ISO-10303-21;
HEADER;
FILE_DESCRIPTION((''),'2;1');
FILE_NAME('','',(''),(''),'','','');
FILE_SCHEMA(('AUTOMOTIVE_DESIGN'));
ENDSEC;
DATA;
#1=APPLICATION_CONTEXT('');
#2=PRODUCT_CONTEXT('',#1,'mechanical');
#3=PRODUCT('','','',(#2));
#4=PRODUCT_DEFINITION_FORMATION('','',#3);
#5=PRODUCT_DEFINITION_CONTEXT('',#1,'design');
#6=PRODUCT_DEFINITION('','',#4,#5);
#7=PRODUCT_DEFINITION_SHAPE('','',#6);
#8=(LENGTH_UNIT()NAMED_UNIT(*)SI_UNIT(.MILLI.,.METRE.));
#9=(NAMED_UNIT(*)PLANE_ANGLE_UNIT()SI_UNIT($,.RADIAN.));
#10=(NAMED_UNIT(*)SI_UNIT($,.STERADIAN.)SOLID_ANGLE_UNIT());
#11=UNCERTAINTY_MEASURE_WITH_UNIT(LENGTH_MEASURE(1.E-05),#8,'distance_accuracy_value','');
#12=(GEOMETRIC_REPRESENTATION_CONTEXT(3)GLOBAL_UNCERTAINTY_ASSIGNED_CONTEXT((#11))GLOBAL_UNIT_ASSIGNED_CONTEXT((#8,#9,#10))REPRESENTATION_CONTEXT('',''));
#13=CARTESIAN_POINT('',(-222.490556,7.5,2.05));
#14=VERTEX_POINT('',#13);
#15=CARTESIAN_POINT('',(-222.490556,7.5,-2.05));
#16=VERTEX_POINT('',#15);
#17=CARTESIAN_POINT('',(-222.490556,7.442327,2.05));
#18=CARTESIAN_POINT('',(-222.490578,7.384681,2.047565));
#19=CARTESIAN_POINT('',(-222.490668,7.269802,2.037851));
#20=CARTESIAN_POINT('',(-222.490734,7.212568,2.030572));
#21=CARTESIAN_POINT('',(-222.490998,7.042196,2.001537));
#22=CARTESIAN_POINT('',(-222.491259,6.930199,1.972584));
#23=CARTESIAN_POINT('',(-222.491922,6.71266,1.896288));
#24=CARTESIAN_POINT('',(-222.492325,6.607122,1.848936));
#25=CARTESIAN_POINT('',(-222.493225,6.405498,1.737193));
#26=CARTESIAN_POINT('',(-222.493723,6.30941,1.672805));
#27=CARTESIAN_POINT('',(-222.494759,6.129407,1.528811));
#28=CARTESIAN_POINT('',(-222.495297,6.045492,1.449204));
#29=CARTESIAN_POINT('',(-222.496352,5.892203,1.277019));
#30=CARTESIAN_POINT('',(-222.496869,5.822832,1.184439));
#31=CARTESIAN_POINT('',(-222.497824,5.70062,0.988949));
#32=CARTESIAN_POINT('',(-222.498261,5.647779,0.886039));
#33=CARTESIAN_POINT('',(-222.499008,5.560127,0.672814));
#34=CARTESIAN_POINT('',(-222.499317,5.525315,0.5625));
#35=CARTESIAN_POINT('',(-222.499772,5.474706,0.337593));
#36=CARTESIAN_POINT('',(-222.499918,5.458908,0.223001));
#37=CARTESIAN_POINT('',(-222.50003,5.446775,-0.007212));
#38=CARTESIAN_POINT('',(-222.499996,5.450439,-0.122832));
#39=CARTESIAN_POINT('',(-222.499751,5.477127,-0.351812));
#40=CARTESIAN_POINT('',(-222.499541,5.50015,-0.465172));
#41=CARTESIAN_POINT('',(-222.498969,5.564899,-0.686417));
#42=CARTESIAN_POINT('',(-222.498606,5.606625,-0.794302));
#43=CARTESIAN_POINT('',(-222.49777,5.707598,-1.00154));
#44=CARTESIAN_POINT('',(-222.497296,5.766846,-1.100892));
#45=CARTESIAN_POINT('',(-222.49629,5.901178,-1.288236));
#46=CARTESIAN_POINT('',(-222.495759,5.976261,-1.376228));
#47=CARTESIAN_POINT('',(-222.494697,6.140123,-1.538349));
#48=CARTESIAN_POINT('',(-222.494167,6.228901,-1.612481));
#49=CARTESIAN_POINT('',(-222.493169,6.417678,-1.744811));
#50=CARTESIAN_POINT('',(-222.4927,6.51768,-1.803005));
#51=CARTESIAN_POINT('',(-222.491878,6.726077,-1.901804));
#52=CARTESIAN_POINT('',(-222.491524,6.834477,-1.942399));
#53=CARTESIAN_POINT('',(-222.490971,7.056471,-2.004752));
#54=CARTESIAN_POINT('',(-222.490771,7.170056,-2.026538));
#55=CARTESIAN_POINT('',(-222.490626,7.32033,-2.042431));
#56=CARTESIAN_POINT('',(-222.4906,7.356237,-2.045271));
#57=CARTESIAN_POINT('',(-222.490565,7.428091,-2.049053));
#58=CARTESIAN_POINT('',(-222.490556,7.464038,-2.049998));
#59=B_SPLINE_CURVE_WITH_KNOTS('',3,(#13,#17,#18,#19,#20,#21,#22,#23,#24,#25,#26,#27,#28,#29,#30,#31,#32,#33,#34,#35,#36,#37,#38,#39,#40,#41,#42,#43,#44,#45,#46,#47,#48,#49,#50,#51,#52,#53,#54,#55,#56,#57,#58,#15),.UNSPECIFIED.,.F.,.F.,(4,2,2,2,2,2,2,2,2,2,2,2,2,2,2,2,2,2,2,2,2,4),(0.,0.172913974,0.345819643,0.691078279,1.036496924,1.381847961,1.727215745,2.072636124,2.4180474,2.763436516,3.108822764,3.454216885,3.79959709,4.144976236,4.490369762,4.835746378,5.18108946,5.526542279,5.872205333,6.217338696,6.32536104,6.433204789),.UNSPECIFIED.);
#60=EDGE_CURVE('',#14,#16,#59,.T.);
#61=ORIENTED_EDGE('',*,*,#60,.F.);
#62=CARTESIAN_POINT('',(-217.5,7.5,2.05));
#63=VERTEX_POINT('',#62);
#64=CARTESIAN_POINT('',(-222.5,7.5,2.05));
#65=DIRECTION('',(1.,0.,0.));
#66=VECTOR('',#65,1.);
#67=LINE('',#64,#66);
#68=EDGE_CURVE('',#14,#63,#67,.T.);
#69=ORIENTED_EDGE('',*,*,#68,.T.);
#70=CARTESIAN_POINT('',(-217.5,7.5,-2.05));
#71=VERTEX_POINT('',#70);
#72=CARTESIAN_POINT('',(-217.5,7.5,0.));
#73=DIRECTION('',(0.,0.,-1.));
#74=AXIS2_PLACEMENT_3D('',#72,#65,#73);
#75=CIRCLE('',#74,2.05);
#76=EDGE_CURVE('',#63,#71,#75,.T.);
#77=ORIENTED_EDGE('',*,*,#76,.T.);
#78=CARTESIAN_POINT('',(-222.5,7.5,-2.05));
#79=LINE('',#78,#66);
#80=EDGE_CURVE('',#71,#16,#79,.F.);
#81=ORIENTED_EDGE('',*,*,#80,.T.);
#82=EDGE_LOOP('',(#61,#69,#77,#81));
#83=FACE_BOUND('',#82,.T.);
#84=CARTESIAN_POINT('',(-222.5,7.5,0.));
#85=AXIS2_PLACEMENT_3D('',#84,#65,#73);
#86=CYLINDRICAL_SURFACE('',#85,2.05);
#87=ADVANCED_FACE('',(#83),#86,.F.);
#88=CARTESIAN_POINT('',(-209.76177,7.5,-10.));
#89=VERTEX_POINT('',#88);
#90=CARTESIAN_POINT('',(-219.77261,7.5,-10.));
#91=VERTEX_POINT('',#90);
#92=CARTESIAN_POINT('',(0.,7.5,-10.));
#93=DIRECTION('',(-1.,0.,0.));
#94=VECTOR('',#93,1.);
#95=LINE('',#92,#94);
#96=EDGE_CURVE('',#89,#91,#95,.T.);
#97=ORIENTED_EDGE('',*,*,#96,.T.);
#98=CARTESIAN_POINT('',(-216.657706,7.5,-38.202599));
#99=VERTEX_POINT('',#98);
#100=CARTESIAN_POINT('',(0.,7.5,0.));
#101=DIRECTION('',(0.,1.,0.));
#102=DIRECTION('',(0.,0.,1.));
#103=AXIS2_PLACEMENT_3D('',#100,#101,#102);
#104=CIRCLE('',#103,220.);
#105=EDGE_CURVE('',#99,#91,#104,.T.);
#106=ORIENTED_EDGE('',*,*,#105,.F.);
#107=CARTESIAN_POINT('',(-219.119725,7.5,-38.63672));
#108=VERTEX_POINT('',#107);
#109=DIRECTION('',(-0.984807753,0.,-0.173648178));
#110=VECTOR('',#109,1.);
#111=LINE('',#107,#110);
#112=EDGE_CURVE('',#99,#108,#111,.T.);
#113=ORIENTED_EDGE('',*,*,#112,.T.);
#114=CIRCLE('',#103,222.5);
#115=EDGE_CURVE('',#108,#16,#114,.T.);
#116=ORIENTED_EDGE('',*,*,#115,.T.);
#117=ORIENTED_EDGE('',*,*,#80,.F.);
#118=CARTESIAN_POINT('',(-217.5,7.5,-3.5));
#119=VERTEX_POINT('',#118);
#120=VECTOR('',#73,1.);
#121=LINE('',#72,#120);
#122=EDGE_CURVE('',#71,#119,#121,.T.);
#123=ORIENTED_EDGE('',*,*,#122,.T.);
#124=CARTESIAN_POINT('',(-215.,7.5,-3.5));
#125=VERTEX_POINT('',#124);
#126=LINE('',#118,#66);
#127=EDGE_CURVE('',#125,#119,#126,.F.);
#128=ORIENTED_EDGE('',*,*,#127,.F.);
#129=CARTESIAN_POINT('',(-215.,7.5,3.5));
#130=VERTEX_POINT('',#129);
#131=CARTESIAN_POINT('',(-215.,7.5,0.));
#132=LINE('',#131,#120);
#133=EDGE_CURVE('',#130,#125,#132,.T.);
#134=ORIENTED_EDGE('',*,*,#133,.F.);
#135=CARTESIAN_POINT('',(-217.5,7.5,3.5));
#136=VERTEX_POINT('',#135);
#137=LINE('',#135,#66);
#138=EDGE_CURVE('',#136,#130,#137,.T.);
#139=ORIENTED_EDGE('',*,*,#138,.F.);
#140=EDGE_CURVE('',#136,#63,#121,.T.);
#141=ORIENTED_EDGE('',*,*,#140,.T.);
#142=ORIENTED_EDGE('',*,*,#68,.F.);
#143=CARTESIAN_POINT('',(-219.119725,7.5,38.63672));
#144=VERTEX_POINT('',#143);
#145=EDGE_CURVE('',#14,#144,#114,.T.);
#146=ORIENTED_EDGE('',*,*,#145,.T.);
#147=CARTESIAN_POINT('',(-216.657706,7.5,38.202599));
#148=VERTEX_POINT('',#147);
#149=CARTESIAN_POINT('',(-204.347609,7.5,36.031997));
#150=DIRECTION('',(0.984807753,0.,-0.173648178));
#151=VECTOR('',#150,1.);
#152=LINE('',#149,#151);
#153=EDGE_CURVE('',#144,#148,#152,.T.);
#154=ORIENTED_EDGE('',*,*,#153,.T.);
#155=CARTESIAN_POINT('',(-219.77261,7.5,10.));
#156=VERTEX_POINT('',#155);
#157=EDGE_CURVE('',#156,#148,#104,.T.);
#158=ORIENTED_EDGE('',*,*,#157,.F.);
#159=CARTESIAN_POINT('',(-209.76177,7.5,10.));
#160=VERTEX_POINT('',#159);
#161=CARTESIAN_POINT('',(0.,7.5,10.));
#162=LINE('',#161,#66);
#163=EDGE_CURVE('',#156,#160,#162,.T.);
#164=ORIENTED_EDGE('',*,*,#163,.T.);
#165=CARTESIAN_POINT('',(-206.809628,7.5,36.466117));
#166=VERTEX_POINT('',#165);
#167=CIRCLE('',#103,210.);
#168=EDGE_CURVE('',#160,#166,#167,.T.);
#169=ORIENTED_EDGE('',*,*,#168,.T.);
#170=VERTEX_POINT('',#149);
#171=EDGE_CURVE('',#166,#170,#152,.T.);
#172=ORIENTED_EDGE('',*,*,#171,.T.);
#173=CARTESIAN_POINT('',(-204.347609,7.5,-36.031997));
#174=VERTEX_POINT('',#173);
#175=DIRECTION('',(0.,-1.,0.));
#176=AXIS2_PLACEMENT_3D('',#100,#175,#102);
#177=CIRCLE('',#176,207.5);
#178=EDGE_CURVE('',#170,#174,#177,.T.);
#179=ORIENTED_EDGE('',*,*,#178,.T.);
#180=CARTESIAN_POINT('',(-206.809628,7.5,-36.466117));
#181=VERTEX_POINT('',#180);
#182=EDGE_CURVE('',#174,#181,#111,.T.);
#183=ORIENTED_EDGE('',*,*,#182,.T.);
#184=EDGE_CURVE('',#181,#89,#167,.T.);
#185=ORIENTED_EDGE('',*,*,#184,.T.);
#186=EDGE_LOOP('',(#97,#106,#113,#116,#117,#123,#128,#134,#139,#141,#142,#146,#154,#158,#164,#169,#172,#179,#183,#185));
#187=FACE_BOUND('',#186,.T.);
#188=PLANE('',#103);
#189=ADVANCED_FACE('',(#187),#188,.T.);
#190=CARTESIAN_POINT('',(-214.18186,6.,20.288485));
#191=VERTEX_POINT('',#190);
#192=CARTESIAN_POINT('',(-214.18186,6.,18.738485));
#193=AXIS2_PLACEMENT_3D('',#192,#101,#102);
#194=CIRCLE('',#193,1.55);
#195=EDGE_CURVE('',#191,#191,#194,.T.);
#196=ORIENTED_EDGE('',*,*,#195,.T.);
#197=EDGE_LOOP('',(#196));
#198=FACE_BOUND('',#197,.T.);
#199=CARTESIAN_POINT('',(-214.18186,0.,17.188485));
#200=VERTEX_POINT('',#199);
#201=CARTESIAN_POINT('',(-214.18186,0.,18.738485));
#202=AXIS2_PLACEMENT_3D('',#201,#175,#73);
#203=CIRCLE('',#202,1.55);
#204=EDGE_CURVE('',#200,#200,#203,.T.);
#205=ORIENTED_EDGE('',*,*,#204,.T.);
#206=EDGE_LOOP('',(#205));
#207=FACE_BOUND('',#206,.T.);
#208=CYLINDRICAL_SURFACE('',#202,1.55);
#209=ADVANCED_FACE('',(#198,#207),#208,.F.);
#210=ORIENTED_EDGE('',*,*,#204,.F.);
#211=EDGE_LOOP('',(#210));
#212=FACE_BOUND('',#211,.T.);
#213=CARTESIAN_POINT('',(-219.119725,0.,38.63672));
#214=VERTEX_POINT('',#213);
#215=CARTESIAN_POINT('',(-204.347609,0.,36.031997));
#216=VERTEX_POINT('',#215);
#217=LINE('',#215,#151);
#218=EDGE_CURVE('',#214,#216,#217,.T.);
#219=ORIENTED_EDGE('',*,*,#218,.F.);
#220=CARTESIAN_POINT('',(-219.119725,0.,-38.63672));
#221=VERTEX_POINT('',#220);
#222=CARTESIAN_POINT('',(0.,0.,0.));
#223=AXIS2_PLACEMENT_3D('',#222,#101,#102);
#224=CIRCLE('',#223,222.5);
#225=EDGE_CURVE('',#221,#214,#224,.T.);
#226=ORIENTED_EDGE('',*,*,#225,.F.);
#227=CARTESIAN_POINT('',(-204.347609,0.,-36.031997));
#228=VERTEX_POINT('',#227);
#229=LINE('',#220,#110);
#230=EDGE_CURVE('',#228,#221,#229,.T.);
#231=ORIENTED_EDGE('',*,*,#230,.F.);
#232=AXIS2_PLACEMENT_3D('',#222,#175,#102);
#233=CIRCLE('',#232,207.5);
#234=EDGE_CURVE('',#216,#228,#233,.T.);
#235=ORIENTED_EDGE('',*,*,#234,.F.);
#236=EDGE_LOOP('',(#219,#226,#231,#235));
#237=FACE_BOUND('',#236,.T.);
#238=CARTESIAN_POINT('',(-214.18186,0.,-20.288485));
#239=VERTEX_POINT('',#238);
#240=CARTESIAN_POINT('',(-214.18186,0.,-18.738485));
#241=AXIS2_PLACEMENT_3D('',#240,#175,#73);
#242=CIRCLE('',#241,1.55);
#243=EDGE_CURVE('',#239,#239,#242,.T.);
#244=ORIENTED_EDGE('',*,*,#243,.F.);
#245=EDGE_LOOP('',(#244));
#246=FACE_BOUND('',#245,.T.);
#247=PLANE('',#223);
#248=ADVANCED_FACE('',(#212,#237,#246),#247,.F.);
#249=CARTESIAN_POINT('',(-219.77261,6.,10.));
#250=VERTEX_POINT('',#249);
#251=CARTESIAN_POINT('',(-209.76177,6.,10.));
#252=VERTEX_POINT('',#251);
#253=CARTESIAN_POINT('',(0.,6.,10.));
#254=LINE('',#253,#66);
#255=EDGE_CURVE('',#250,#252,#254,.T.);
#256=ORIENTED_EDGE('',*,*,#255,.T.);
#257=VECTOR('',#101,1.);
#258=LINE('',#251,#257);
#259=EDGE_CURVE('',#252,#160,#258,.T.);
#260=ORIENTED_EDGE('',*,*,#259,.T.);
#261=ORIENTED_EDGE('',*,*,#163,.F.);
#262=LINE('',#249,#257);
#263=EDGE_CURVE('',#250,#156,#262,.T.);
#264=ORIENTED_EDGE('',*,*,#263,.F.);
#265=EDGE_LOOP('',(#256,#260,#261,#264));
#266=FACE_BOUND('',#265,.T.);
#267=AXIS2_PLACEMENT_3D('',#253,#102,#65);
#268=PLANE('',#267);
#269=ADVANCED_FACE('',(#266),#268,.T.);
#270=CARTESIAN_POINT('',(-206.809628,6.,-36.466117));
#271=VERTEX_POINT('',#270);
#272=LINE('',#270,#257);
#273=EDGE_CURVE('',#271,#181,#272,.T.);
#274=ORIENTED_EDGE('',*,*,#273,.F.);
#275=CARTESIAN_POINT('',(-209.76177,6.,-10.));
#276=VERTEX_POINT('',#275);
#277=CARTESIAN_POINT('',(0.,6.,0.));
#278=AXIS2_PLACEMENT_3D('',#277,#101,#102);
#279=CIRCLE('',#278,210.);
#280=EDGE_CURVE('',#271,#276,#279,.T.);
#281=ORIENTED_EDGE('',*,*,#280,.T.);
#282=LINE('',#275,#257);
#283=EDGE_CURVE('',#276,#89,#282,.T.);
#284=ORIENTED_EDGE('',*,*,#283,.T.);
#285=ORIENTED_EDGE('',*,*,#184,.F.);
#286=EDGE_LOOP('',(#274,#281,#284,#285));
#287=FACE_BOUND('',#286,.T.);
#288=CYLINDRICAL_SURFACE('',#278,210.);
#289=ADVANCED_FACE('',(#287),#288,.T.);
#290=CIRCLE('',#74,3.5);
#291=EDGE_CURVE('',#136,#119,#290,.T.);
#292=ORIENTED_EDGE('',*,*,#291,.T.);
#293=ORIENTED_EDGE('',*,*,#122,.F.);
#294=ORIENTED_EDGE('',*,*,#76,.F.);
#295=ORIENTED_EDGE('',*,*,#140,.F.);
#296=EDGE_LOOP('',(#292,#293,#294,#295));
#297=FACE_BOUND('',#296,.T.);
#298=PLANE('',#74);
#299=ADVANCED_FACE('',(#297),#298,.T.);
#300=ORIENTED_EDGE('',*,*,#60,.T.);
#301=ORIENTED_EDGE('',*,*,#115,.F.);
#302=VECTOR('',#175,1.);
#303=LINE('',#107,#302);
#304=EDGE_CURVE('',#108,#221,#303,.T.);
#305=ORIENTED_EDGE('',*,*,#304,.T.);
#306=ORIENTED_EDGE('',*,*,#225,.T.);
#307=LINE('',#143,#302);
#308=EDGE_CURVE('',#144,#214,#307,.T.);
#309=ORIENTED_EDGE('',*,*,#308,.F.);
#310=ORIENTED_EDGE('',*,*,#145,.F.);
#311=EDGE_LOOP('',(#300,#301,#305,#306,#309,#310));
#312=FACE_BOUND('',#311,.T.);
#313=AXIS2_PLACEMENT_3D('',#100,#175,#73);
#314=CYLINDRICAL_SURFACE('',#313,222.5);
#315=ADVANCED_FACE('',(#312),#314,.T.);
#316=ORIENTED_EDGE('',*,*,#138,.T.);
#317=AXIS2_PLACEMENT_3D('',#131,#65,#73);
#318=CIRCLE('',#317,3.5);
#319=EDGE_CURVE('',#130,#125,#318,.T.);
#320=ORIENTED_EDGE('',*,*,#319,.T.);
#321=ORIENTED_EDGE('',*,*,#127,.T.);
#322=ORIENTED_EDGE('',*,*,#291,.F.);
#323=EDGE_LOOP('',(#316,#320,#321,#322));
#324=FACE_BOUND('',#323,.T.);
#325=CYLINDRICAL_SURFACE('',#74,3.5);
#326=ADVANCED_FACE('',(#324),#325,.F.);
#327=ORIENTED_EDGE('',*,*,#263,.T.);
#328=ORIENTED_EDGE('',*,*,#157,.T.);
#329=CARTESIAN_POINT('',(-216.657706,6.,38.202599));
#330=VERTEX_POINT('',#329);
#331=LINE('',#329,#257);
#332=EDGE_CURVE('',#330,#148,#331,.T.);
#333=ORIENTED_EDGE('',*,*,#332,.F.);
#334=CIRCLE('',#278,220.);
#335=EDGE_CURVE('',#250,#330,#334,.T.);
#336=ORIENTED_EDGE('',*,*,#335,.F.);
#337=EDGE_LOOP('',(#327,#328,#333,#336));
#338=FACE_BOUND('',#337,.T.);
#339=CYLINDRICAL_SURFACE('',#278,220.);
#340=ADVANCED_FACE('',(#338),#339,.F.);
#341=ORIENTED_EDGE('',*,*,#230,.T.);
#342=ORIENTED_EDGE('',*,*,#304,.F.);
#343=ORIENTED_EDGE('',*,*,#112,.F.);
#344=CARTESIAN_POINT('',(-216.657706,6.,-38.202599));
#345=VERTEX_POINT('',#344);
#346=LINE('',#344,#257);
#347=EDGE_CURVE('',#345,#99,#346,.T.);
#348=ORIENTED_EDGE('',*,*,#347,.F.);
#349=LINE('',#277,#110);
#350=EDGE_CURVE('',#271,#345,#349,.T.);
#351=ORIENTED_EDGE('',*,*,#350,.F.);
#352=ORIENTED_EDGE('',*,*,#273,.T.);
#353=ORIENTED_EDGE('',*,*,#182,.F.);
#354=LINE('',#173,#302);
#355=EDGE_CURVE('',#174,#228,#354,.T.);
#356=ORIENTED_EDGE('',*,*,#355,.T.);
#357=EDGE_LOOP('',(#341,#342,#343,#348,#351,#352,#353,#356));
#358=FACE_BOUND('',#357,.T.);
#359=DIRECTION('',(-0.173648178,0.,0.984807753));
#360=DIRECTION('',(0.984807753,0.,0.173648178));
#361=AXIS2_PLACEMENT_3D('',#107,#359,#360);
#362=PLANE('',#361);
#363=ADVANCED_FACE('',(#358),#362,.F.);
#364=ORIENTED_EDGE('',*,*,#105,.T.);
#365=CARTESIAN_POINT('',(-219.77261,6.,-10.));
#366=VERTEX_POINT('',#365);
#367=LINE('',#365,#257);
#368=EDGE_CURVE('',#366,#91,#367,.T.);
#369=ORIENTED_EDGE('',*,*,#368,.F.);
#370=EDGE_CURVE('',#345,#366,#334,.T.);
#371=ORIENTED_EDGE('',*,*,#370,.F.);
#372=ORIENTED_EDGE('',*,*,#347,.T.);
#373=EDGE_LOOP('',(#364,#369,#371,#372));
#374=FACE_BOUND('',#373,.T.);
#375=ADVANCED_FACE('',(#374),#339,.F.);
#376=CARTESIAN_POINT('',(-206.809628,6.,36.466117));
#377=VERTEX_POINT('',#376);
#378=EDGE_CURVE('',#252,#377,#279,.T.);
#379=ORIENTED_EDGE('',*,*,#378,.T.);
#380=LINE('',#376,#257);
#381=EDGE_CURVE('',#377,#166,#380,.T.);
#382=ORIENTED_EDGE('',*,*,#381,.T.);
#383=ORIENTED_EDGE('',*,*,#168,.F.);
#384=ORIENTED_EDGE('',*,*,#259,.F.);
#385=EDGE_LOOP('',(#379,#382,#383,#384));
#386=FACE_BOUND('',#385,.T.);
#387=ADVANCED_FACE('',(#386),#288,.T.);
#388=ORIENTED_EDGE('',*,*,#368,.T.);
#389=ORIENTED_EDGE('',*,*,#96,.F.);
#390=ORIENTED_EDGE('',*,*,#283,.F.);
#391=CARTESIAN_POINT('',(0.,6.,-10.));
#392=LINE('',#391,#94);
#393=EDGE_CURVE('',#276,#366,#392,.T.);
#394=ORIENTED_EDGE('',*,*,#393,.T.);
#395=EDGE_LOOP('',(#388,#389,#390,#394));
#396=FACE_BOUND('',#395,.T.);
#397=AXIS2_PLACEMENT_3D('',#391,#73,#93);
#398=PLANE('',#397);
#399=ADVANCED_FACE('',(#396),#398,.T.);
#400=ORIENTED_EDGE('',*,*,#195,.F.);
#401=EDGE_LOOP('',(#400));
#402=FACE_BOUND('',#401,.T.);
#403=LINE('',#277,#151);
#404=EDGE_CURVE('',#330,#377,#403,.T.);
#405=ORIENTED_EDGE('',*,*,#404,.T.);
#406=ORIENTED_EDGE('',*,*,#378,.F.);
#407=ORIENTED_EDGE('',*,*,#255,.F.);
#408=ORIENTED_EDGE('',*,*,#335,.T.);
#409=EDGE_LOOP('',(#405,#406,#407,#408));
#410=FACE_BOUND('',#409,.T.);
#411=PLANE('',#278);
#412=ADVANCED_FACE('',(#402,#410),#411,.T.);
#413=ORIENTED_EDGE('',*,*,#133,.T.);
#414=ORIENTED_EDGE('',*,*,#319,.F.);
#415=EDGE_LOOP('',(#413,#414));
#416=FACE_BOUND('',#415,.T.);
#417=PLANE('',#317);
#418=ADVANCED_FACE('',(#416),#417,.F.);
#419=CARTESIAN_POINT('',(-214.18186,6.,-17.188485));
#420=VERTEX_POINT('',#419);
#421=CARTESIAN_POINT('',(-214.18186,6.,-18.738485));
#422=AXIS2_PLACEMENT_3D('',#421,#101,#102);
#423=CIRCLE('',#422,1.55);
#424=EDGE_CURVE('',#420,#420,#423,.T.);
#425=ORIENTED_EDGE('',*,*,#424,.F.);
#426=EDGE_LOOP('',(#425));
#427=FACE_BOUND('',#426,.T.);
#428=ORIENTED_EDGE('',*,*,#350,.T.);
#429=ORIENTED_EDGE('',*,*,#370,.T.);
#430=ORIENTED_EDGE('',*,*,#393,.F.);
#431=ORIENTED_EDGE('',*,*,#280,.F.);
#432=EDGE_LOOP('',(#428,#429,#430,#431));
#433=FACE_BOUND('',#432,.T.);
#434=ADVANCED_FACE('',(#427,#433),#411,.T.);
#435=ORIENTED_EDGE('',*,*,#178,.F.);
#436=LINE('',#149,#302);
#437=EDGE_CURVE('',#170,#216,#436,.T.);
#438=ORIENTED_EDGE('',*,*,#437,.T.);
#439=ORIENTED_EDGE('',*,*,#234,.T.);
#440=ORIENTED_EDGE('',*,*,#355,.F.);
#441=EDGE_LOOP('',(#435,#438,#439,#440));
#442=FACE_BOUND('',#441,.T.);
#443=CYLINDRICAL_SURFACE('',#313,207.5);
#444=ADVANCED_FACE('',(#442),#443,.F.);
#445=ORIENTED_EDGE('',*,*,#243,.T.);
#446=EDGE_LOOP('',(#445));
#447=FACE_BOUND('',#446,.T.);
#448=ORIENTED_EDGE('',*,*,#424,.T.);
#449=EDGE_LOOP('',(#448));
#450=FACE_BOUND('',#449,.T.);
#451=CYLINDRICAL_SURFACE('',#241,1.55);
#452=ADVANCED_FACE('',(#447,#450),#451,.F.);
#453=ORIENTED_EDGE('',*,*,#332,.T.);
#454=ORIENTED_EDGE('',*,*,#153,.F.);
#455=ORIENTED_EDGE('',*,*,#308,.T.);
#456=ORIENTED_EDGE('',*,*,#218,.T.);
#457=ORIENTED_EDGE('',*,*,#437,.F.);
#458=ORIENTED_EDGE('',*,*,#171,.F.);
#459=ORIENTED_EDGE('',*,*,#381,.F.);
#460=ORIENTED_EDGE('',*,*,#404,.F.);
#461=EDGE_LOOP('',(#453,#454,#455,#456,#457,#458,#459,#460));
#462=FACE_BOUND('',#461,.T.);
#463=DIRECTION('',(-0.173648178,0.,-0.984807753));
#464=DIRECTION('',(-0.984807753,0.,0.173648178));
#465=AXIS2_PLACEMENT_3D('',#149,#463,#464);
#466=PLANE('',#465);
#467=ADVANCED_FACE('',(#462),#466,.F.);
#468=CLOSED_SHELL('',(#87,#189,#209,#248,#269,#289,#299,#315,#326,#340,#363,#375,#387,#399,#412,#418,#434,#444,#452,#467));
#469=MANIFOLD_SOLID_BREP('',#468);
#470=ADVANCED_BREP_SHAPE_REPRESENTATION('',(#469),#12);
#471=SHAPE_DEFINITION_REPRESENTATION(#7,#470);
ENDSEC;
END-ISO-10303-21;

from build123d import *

# Parameters (mm, degrees)
BOSS_EXTRUDE1_DEPTH        = 7.5
CUT_EXTRUDE1_DEPTH         = 1.5
SKETCH4_R                  = 3.5
CUT_EXTRUDE3_DEPTH         = 2.5
SKETCH5_R                  = 2.05
CUT_EXTRUDE4_DEPTH         = 41.774005634
F_3_1_3_1_DIAMETER_HOLE1_D = 3.1


with BuildPart() as part:
    # Sketch1 → Boss-Extrude1 (new body)
    with BuildSketch(Plane(origin=(0, 0, 0), x_dir=(1, 0, 0), z_dir=(0, 1, 0))):
        with BuildLine():
            Line((-219.119725045, 38.636719531), (-204.34760875, 36.031996866))
            ThreePointArc((-204.34760875, 36.031996866), (-207.5, 0), (-204.34760875, -36.031996866))
            Line((-204.34760875, -36.031996866), (-219.119725045, -38.636719531))
            ThreePointArc((-219.119725045, -38.636719531), (-222.5, 0), (-219.119725045, 38.636719531))
        make_face()
    extrude(amount=BOSS_EXTRUDE1_DEPTH)

    # Sketch2 → Cut-Extrude1 (cut)
    with BuildSketch(Plane(origin=(0, 7.5, 0), x_dir=(1, 0, 0), z_dir=(0, 1, 0))):
        with BuildLine():
            Line((-206.809628133, 36.46611731), (-216.657705663, 38.202599087))
            ThreePointArc((-216.657705663, 38.202599087), (-218.670303662, 24.151569236), (-219.772609758, 10))
            Line((-219.772609758, 10), (-209.761769634, 10))
            ThreePointArc((-209.761769634, 10), (-208.70564487, 23.279901188), (-206.809628133, 36.46611731))
        make_face()
        with BuildLine():
            Line((-209.761769634, -10), (-219.772609758, -10))
            ThreePointArc((-219.772609758, -10), (-218.670303662, -24.151569236), (-216.657705663, -38.202599087))
            Line((-216.657705663, -38.202599087), (-206.809628133, -36.46611731))
            ThreePointArc((-206.809628133, -36.46611731), (-208.70564487, -23.279901188), (-209.761769634, -10))
        make_face()
    extrude(amount=-CUT_EXTRUDE1_DEPTH, mode=Mode.SUBTRACT)

    # Sketch4 → Cut-Extrude3 (cut)
    with BuildSketch(Plane(origin=(-215, 0, 0), x_dir=(0, 0, -1), z_dir=(1, 0, 0))):
        with Locations((0, 7.5)):
            Circle(SKETCH4_R)
    extrude(amount=-CUT_EXTRUDE3_DEPTH, mode=Mode.SUBTRACT)

    # Sketch5 → Cut-Extrude4 (cut, through all)
    with BuildSketch(Plane(origin=(-215, 0, 0), x_dir=(0, 0, -1), z_dir=(1, 0, 0))):
        with Locations((0, 7.5)):
            Circle(SKETCH5_R)
    extrude(amount=-CUT_EXTRUDE4_DEPTH, mode=Mode.SUBTRACT)

    # Ø3.1 (3.1) Diameter Hole1 (through all)
    with Locations(Plane(origin=(0, 0, 0), x_dir=(-1, 0, 0), z_dir=(0, -1, 0))):
        with Locations((214.18186009, -18.738484691), (214.18186009, 18.738484691)):
            Hole(F_3_1_3_1_DIAMETER_HOLE1_D / 2)


solid = part.part
